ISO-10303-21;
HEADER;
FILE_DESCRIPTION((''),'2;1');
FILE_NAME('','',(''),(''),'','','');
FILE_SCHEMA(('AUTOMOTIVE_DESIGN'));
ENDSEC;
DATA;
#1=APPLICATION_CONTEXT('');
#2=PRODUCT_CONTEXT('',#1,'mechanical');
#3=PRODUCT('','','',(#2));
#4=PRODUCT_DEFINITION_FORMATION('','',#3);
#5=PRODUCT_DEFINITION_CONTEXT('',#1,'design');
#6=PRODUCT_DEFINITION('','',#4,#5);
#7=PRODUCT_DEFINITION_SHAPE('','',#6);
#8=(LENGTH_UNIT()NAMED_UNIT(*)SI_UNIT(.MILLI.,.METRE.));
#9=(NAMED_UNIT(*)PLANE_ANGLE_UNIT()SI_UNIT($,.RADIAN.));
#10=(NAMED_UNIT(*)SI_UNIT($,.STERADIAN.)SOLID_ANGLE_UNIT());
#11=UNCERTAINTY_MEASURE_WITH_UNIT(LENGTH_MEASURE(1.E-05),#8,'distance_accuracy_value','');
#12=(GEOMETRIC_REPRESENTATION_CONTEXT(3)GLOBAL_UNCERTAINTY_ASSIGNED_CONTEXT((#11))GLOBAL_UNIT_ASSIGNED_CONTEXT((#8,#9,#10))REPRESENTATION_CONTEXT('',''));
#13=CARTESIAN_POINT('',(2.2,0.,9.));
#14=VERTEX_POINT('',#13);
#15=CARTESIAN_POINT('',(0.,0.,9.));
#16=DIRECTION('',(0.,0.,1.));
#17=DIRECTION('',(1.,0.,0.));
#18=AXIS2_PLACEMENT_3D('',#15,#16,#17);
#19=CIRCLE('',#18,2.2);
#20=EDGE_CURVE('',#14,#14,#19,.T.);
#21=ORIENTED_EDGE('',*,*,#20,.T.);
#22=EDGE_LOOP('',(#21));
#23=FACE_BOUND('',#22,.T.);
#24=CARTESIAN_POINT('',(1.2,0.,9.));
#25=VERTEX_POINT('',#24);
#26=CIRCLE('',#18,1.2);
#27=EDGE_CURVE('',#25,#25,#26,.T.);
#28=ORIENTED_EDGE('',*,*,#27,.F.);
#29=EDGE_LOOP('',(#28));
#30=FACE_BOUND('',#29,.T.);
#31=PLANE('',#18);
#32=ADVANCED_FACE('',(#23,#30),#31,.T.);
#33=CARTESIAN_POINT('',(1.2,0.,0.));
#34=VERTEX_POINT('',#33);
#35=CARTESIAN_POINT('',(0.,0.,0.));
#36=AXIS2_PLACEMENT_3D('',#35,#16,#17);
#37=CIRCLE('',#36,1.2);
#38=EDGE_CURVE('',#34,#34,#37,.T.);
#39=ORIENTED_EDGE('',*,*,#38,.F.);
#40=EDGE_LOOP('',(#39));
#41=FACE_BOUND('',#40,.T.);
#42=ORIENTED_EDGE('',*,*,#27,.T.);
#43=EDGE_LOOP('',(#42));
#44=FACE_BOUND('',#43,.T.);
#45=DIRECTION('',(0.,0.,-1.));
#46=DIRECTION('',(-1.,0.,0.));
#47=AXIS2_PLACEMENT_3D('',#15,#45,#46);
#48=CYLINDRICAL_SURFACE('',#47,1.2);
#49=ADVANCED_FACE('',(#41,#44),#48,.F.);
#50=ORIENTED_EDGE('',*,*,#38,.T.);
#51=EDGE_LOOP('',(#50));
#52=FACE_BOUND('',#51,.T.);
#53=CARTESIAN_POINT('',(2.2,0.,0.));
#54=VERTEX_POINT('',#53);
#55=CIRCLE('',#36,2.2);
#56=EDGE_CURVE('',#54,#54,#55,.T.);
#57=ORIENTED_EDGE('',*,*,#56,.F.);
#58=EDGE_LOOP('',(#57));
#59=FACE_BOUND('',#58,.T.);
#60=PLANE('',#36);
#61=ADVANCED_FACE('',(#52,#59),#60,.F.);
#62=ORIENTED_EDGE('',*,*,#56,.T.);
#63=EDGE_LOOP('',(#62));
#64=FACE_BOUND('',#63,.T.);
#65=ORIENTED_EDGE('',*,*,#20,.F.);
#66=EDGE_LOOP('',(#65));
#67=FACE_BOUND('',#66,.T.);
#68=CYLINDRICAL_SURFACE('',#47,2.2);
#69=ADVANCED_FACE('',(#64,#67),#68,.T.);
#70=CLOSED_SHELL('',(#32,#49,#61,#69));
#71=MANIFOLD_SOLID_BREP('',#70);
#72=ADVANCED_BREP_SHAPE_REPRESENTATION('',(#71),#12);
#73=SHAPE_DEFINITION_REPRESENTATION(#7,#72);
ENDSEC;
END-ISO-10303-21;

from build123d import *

# Parameters (mm, degrees)
SKETCH_1_R      = 2.2
SKETCH_1_R_2    = 1.2
EXTRUDE_1_DEPTH = 9


with BuildPart() as part:
    # Эскиз1 → Бобышка-Вытянуть1 (new body)
    with BuildSketch(Plane.XY):
        Circle(SKETCH_1_R)
        Circle(SKETCH_1_R_2, mode=Mode.SUBTRACT)
    extrude(amount=EXTRUDE_1_DEPTH)


solid = part.part
